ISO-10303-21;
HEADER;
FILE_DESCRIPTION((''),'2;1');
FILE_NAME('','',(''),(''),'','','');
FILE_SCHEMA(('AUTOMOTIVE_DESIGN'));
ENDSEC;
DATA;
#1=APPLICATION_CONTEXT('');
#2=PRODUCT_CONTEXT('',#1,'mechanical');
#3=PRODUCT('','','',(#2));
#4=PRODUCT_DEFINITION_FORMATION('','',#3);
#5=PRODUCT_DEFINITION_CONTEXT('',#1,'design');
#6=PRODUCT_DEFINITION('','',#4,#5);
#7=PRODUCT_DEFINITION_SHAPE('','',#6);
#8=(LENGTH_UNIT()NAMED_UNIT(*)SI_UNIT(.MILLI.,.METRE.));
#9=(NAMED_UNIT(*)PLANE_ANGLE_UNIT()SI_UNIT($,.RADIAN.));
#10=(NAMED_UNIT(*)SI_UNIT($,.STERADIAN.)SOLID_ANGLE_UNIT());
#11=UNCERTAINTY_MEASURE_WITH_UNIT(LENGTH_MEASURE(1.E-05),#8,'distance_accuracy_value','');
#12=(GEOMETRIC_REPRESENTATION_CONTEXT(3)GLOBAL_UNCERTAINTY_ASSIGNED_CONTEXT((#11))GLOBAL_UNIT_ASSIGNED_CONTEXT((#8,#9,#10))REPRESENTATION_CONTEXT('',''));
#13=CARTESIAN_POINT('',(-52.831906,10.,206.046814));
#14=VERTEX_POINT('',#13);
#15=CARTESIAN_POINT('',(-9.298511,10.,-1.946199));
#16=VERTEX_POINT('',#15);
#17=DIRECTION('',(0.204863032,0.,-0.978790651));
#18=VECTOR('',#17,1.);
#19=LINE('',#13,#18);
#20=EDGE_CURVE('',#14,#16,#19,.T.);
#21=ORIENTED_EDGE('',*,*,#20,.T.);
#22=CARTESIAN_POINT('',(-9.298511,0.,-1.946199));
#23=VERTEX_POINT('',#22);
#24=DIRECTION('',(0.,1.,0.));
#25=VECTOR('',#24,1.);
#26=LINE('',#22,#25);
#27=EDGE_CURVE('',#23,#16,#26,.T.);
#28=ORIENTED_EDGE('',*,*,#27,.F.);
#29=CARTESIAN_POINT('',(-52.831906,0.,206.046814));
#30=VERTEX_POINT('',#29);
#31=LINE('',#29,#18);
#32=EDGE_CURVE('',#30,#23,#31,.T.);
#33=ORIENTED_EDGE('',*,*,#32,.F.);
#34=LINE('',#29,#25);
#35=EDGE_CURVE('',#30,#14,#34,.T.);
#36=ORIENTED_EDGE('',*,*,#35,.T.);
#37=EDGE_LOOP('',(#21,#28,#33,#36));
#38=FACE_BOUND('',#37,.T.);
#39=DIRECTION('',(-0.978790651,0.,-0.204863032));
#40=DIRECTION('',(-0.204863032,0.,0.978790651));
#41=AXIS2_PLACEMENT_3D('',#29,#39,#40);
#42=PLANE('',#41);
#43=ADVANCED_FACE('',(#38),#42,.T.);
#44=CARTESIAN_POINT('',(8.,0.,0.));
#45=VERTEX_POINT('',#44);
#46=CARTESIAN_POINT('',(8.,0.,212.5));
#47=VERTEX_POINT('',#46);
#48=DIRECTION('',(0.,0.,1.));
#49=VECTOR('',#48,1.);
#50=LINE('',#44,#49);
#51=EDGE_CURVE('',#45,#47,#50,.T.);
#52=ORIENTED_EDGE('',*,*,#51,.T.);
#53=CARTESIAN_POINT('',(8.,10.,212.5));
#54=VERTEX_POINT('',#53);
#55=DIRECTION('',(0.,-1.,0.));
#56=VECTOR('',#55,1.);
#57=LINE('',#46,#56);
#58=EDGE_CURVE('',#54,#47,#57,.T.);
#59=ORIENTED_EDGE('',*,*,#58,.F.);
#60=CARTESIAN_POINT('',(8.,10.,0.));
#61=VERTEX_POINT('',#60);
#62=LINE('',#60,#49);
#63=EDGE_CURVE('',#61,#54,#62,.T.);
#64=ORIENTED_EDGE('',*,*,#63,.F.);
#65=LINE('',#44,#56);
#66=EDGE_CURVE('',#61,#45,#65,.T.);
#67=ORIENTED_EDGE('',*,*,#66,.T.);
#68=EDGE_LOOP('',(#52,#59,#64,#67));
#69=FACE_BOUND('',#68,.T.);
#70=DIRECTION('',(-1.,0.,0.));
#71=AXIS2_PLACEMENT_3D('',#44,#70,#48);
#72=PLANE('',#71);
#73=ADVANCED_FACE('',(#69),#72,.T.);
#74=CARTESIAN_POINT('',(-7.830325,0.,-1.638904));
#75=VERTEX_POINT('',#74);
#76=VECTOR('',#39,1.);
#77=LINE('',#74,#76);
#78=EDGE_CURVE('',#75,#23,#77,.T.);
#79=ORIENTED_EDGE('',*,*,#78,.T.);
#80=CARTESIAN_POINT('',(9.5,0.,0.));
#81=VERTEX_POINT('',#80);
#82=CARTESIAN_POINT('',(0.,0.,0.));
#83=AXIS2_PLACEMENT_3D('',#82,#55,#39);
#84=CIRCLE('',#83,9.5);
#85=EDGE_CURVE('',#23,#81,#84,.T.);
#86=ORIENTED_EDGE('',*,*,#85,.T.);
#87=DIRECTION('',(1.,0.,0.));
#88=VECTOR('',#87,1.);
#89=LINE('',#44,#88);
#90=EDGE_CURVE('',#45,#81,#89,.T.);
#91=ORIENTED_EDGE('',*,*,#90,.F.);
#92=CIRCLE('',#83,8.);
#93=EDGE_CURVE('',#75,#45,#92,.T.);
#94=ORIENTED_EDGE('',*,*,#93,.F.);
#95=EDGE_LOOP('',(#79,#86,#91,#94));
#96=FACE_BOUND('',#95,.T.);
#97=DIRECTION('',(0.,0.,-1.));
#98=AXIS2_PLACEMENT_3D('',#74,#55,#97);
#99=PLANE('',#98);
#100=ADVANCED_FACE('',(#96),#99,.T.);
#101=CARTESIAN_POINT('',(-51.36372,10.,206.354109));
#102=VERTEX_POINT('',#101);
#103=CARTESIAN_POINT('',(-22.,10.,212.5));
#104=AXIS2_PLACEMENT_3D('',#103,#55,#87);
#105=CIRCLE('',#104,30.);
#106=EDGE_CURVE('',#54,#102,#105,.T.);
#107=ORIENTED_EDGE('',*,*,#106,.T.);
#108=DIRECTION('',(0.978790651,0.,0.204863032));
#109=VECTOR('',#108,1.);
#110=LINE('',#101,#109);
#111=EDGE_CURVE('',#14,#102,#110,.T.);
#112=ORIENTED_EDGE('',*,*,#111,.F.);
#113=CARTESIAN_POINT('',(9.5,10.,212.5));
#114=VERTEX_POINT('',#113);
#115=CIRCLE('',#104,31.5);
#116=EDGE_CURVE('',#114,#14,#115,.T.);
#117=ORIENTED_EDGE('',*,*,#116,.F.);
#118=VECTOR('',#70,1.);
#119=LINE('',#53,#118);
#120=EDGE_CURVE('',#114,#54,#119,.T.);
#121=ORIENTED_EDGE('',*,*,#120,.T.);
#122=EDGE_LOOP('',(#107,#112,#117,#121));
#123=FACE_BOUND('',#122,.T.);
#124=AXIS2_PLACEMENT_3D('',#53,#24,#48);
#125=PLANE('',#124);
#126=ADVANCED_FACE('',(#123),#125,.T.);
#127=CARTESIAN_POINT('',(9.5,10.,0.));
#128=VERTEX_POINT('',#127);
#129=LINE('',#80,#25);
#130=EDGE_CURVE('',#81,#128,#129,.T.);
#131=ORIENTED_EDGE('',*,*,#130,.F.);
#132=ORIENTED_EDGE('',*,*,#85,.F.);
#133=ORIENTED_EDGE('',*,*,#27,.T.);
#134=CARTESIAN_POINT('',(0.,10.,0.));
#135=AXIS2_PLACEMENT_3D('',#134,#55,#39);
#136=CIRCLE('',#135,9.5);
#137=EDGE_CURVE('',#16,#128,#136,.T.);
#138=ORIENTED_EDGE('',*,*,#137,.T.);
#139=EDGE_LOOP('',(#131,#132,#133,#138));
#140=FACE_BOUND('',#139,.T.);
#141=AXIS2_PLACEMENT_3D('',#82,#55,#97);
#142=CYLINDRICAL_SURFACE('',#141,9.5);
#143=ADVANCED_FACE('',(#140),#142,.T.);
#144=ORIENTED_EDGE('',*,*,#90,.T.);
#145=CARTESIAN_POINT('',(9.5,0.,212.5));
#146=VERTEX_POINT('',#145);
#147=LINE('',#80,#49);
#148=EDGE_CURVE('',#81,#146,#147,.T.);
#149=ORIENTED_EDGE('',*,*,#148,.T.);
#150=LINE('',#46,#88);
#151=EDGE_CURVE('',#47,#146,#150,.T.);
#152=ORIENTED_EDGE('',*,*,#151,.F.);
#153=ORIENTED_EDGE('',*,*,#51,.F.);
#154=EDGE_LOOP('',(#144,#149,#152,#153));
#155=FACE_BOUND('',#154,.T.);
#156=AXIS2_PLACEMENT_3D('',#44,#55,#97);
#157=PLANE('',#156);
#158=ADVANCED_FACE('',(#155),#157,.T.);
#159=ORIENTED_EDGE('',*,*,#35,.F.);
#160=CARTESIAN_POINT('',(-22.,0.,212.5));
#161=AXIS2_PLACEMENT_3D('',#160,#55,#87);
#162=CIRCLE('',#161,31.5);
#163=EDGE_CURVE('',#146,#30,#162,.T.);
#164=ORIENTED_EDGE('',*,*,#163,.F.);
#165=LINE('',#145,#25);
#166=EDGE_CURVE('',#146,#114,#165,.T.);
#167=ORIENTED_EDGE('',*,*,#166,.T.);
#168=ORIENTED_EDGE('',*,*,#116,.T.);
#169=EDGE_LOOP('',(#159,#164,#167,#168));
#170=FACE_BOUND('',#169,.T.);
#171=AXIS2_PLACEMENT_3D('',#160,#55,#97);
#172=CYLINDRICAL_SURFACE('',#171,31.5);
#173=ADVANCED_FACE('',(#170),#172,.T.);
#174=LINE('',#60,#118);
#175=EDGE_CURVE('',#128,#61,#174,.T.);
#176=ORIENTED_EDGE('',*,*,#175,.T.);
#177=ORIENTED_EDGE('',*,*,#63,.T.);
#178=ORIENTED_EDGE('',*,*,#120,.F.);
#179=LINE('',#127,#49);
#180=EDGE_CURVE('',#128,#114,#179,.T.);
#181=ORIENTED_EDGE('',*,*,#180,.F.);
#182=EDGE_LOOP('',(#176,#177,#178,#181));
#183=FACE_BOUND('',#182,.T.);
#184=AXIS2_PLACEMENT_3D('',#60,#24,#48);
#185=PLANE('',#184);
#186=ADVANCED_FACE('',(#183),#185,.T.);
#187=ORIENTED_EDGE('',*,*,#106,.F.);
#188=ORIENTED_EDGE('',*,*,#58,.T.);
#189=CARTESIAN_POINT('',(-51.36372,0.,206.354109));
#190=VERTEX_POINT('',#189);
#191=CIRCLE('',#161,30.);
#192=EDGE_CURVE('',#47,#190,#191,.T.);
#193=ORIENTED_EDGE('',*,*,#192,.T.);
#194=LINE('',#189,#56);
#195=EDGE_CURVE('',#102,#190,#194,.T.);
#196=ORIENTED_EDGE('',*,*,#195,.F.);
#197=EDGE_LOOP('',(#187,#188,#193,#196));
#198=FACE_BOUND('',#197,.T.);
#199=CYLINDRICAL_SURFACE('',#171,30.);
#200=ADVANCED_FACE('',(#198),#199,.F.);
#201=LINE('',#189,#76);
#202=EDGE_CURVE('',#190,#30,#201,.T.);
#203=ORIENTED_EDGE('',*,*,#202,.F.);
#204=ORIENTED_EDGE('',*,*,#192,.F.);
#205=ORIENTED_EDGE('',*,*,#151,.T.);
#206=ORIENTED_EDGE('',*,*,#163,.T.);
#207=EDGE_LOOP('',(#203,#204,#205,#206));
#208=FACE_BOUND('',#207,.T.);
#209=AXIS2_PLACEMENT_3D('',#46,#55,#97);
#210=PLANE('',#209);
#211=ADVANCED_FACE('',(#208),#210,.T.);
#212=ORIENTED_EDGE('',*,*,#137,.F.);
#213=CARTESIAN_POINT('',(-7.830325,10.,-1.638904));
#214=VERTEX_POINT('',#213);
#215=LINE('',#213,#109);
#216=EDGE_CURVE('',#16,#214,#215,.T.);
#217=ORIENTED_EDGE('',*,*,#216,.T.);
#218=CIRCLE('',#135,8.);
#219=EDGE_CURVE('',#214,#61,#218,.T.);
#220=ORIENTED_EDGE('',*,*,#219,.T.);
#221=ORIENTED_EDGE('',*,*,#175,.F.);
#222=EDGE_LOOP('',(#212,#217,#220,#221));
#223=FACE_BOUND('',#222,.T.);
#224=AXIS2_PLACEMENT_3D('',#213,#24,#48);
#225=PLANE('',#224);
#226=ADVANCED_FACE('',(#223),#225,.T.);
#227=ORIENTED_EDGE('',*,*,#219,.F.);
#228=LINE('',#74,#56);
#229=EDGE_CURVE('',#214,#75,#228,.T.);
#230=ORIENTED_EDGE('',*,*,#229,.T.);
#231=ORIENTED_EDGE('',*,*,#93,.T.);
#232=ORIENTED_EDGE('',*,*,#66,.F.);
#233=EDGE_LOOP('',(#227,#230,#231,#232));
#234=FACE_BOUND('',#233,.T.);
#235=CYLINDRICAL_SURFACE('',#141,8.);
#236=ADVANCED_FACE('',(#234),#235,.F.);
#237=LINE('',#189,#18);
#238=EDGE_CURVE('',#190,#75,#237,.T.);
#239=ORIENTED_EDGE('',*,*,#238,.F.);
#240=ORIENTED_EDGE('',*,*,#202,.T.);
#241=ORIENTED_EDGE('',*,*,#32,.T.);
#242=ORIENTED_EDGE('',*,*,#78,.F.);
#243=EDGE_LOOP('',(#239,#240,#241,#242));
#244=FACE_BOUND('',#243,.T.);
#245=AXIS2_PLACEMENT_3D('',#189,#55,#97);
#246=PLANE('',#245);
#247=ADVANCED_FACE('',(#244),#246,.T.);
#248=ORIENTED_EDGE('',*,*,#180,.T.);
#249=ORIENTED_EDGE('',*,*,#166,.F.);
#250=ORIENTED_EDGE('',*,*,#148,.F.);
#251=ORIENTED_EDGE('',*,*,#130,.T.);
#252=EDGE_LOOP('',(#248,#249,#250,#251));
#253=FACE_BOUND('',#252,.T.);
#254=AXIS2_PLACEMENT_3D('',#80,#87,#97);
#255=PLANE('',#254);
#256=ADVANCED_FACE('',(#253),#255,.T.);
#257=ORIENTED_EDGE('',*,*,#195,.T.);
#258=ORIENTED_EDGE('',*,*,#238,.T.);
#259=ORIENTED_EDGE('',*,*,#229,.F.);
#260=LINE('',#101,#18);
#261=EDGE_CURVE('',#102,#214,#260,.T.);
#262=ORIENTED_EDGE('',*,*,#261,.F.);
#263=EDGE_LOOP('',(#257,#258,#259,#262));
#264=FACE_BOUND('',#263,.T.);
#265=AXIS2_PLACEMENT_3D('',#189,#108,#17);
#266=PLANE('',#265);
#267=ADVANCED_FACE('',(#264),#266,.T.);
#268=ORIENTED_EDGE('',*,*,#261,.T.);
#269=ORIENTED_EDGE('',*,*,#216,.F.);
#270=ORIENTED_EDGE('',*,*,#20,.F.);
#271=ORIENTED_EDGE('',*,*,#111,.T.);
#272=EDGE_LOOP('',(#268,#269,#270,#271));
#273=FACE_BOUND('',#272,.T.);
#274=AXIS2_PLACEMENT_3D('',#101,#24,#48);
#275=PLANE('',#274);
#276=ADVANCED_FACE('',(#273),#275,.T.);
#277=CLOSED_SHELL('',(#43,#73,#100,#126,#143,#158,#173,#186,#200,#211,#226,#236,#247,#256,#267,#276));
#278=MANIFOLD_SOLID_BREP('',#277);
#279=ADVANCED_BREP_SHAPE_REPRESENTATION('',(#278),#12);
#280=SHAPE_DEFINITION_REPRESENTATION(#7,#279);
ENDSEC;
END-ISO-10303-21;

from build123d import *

# Parameters (mm, degrees)
SKETCH_3_W = 1.5
SKETCH_3_H = 10


with BuildPart() as part:
    # 扫描1: sweep along a path in 草图2
    with BuildLine(Plane(origin=(0, 0, 0), x_dir=(1, 0, 0), z_dir=(0, 1, 0))) as sweep_1_path:
        Line((8, -212.5), (8, 0))
        ThreePointArc((8, 0), (0.823832006, 7.957468242), (-7.830325206, 1.638904257))
        Line((-7.830325206, 1.638904257), (-51.363719524, -206.354109038))
        ThreePointArc((-51.363719524, -206.354109038), (-25.089370023, -242.340505908), (8, -212.5))
    # 草图3 → 扫描1 (sweep)
    with BuildSketch(Plane.XY):
        with Locations((8.75, 5)):
            Rectangle(SKETCH_3_W, SKETCH_3_H)
    sweep(path=sweep_1_path.line)


solid = part.part
